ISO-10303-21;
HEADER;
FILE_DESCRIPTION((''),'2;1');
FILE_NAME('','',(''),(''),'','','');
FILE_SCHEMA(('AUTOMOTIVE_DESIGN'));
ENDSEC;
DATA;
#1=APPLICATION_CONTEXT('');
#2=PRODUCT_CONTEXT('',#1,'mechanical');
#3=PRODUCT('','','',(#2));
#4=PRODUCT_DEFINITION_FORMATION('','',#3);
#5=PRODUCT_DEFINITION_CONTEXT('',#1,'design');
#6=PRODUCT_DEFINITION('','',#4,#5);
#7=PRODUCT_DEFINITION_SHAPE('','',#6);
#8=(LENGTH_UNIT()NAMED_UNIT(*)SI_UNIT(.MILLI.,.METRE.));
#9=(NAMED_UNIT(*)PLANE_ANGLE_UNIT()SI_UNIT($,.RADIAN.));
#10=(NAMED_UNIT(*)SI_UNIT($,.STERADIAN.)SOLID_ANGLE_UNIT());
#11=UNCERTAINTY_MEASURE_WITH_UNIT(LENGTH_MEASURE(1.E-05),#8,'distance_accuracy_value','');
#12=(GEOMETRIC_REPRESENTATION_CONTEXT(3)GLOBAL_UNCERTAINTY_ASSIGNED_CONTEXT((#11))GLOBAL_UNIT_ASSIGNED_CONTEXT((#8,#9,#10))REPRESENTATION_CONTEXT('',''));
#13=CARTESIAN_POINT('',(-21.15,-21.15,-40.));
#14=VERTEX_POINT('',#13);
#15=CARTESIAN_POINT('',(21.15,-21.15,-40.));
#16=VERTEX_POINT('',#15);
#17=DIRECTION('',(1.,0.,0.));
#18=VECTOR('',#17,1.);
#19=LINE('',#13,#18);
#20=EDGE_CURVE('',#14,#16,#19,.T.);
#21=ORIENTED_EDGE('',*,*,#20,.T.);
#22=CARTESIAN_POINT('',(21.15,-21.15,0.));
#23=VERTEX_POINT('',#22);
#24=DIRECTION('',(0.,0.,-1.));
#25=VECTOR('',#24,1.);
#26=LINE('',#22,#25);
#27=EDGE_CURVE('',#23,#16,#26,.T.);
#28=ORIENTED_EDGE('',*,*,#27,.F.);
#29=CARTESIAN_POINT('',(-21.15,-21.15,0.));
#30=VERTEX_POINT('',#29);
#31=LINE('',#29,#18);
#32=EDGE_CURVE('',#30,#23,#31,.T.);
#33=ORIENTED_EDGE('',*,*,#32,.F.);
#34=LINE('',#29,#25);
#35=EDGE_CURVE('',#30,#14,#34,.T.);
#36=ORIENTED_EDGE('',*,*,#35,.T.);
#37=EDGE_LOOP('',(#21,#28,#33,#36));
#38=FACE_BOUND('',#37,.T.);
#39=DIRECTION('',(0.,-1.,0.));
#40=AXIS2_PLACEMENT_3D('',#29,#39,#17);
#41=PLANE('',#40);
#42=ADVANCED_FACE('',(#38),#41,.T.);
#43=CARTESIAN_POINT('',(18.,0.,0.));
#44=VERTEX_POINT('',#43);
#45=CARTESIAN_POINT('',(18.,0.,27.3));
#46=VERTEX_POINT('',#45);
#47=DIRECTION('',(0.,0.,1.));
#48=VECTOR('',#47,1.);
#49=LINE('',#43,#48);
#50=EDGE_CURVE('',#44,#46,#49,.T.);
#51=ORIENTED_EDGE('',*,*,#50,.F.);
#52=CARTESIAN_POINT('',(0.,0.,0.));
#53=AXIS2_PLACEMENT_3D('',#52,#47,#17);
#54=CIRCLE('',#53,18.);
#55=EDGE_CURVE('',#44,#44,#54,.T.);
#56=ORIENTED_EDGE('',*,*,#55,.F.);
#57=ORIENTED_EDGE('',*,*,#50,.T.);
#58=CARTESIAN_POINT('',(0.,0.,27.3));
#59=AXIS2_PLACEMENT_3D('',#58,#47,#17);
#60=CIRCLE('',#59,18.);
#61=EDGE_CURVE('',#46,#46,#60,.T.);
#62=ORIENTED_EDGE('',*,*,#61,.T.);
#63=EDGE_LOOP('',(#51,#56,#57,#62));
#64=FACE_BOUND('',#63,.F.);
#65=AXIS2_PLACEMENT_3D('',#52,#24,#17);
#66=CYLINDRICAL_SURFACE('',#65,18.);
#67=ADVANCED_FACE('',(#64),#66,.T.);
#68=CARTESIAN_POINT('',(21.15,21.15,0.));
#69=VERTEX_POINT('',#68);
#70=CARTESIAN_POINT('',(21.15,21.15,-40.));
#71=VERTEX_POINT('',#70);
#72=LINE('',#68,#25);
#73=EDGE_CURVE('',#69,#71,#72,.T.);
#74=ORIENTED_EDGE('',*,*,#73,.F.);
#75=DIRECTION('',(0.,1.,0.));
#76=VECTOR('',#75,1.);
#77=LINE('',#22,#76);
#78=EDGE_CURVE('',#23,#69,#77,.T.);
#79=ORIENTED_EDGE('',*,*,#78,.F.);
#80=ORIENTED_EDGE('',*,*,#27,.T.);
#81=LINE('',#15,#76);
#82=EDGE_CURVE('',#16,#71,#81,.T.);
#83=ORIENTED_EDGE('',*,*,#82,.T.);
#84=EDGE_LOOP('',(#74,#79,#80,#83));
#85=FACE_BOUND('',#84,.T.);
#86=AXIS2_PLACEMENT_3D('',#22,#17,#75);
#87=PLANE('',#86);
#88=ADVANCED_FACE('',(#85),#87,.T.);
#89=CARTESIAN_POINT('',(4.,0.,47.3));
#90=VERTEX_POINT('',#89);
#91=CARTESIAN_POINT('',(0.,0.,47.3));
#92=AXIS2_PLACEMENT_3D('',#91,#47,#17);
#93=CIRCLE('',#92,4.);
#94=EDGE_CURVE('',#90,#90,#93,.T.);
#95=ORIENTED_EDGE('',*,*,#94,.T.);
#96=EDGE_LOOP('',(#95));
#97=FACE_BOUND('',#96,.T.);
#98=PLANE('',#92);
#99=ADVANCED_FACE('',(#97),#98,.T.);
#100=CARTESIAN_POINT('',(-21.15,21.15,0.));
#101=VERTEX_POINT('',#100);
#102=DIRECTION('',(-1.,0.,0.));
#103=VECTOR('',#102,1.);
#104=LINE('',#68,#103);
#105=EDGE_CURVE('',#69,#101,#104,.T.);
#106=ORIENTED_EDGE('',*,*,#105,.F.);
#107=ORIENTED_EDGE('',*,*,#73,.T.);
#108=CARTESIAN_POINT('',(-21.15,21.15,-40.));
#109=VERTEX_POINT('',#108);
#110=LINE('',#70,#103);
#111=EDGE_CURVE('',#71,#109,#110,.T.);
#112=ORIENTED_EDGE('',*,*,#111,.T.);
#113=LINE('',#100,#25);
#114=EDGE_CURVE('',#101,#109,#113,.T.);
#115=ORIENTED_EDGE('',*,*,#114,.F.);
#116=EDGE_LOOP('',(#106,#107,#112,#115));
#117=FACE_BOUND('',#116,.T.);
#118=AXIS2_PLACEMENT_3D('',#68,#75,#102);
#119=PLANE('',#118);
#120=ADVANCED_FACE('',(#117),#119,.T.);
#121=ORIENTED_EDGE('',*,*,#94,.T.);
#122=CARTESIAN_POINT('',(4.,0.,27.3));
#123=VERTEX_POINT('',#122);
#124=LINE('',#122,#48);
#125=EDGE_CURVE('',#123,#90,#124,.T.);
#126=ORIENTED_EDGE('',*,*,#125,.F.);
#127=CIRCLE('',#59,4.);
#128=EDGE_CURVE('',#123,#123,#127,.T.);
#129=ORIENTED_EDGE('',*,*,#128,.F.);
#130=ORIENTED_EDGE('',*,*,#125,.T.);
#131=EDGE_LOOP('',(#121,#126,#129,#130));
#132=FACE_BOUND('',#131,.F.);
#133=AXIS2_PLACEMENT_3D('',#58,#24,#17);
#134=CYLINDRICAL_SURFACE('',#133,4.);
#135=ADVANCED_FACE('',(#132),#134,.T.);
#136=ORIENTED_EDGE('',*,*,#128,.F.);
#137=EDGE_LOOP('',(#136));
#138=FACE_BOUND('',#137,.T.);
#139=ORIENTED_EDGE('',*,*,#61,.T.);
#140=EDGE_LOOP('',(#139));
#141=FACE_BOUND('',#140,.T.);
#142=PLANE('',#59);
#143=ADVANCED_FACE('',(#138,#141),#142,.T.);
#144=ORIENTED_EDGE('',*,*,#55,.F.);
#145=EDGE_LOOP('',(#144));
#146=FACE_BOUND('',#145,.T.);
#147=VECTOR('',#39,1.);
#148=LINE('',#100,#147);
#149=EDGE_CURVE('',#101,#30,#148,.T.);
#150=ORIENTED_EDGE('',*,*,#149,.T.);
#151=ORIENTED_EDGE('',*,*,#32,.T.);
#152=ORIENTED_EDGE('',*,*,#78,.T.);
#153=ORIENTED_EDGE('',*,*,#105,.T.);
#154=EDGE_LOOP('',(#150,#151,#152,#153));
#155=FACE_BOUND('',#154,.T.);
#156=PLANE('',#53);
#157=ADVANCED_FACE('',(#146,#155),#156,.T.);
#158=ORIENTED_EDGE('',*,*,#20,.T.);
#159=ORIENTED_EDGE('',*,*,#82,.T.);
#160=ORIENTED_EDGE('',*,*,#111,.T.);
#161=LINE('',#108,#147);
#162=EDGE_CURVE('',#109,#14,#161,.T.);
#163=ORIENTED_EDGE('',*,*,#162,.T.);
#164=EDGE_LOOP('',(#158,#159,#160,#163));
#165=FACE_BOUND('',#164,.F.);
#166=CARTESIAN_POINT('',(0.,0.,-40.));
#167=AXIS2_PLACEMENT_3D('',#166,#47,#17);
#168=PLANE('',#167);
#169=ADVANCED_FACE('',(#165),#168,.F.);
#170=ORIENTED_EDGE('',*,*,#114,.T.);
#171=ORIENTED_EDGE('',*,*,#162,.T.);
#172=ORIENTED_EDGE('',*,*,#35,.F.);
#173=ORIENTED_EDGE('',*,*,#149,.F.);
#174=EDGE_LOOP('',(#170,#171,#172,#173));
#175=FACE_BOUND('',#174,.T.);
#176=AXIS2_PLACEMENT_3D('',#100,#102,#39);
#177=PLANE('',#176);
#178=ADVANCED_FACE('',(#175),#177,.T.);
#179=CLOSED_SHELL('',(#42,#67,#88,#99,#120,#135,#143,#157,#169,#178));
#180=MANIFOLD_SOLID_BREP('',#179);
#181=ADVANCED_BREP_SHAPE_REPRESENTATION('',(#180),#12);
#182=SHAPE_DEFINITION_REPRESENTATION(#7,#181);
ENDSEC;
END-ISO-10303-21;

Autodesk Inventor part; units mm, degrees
ref_plane "YZ Plane" through (0, 0, 0) normal (1, 0, 0) x (0, 1, 0)
ref_plane "XZ Plane" through (0, 0, 0) normal (0, 1, 0) x (-1, 0, 0)
ref_plane "XY Plane" through (0, 0, 0) normal (0, 0, 1) x (1, 0, 0)
sketch "Sketch1" plane through (0, 0, 0) normal (0, 0, 1) x (1, 0, 0)
  line L0 (-21.15, -21.15) -> (21.15, -21.15)
  line L1 (21.15, -21.15) -> (21.15, 21.15)
  line L2 (21.15, 21.15) -> (-21.15, 21.15)
  line L3 (-21.15, 21.15) -> (-21.15, -21.15)
  line L4 (-21.15, -21.15) -> (21.15, 21.15) construction
  line L5 (21.15, -21.15) -> (-21.15, 21.15) construction
  circle A0 centre (0, 0) radius 18
  dimension "d0" = 42.3
  dimension "d1" = 42.3
  dimension "d2" = 36
extrude "Extrusion1" add sketch "Sketch1" against normal blind 40 contours L3 L2 L1 L0 | A0
extrude "Extrusion2" add sketch "Sketch1" along normal blind 27.3 contours A0
sketch "Sketch2" plane through (0, 0, 27.3) normal (0, 0, 1) x (1, 0, 0)
  circle A0 centre (0, 0) radius 4
  dimension "d7" = 8
extrude "Extrusion3" add sketch "Sketch2" along normal blind 20
properties part number "gearedNema17"
